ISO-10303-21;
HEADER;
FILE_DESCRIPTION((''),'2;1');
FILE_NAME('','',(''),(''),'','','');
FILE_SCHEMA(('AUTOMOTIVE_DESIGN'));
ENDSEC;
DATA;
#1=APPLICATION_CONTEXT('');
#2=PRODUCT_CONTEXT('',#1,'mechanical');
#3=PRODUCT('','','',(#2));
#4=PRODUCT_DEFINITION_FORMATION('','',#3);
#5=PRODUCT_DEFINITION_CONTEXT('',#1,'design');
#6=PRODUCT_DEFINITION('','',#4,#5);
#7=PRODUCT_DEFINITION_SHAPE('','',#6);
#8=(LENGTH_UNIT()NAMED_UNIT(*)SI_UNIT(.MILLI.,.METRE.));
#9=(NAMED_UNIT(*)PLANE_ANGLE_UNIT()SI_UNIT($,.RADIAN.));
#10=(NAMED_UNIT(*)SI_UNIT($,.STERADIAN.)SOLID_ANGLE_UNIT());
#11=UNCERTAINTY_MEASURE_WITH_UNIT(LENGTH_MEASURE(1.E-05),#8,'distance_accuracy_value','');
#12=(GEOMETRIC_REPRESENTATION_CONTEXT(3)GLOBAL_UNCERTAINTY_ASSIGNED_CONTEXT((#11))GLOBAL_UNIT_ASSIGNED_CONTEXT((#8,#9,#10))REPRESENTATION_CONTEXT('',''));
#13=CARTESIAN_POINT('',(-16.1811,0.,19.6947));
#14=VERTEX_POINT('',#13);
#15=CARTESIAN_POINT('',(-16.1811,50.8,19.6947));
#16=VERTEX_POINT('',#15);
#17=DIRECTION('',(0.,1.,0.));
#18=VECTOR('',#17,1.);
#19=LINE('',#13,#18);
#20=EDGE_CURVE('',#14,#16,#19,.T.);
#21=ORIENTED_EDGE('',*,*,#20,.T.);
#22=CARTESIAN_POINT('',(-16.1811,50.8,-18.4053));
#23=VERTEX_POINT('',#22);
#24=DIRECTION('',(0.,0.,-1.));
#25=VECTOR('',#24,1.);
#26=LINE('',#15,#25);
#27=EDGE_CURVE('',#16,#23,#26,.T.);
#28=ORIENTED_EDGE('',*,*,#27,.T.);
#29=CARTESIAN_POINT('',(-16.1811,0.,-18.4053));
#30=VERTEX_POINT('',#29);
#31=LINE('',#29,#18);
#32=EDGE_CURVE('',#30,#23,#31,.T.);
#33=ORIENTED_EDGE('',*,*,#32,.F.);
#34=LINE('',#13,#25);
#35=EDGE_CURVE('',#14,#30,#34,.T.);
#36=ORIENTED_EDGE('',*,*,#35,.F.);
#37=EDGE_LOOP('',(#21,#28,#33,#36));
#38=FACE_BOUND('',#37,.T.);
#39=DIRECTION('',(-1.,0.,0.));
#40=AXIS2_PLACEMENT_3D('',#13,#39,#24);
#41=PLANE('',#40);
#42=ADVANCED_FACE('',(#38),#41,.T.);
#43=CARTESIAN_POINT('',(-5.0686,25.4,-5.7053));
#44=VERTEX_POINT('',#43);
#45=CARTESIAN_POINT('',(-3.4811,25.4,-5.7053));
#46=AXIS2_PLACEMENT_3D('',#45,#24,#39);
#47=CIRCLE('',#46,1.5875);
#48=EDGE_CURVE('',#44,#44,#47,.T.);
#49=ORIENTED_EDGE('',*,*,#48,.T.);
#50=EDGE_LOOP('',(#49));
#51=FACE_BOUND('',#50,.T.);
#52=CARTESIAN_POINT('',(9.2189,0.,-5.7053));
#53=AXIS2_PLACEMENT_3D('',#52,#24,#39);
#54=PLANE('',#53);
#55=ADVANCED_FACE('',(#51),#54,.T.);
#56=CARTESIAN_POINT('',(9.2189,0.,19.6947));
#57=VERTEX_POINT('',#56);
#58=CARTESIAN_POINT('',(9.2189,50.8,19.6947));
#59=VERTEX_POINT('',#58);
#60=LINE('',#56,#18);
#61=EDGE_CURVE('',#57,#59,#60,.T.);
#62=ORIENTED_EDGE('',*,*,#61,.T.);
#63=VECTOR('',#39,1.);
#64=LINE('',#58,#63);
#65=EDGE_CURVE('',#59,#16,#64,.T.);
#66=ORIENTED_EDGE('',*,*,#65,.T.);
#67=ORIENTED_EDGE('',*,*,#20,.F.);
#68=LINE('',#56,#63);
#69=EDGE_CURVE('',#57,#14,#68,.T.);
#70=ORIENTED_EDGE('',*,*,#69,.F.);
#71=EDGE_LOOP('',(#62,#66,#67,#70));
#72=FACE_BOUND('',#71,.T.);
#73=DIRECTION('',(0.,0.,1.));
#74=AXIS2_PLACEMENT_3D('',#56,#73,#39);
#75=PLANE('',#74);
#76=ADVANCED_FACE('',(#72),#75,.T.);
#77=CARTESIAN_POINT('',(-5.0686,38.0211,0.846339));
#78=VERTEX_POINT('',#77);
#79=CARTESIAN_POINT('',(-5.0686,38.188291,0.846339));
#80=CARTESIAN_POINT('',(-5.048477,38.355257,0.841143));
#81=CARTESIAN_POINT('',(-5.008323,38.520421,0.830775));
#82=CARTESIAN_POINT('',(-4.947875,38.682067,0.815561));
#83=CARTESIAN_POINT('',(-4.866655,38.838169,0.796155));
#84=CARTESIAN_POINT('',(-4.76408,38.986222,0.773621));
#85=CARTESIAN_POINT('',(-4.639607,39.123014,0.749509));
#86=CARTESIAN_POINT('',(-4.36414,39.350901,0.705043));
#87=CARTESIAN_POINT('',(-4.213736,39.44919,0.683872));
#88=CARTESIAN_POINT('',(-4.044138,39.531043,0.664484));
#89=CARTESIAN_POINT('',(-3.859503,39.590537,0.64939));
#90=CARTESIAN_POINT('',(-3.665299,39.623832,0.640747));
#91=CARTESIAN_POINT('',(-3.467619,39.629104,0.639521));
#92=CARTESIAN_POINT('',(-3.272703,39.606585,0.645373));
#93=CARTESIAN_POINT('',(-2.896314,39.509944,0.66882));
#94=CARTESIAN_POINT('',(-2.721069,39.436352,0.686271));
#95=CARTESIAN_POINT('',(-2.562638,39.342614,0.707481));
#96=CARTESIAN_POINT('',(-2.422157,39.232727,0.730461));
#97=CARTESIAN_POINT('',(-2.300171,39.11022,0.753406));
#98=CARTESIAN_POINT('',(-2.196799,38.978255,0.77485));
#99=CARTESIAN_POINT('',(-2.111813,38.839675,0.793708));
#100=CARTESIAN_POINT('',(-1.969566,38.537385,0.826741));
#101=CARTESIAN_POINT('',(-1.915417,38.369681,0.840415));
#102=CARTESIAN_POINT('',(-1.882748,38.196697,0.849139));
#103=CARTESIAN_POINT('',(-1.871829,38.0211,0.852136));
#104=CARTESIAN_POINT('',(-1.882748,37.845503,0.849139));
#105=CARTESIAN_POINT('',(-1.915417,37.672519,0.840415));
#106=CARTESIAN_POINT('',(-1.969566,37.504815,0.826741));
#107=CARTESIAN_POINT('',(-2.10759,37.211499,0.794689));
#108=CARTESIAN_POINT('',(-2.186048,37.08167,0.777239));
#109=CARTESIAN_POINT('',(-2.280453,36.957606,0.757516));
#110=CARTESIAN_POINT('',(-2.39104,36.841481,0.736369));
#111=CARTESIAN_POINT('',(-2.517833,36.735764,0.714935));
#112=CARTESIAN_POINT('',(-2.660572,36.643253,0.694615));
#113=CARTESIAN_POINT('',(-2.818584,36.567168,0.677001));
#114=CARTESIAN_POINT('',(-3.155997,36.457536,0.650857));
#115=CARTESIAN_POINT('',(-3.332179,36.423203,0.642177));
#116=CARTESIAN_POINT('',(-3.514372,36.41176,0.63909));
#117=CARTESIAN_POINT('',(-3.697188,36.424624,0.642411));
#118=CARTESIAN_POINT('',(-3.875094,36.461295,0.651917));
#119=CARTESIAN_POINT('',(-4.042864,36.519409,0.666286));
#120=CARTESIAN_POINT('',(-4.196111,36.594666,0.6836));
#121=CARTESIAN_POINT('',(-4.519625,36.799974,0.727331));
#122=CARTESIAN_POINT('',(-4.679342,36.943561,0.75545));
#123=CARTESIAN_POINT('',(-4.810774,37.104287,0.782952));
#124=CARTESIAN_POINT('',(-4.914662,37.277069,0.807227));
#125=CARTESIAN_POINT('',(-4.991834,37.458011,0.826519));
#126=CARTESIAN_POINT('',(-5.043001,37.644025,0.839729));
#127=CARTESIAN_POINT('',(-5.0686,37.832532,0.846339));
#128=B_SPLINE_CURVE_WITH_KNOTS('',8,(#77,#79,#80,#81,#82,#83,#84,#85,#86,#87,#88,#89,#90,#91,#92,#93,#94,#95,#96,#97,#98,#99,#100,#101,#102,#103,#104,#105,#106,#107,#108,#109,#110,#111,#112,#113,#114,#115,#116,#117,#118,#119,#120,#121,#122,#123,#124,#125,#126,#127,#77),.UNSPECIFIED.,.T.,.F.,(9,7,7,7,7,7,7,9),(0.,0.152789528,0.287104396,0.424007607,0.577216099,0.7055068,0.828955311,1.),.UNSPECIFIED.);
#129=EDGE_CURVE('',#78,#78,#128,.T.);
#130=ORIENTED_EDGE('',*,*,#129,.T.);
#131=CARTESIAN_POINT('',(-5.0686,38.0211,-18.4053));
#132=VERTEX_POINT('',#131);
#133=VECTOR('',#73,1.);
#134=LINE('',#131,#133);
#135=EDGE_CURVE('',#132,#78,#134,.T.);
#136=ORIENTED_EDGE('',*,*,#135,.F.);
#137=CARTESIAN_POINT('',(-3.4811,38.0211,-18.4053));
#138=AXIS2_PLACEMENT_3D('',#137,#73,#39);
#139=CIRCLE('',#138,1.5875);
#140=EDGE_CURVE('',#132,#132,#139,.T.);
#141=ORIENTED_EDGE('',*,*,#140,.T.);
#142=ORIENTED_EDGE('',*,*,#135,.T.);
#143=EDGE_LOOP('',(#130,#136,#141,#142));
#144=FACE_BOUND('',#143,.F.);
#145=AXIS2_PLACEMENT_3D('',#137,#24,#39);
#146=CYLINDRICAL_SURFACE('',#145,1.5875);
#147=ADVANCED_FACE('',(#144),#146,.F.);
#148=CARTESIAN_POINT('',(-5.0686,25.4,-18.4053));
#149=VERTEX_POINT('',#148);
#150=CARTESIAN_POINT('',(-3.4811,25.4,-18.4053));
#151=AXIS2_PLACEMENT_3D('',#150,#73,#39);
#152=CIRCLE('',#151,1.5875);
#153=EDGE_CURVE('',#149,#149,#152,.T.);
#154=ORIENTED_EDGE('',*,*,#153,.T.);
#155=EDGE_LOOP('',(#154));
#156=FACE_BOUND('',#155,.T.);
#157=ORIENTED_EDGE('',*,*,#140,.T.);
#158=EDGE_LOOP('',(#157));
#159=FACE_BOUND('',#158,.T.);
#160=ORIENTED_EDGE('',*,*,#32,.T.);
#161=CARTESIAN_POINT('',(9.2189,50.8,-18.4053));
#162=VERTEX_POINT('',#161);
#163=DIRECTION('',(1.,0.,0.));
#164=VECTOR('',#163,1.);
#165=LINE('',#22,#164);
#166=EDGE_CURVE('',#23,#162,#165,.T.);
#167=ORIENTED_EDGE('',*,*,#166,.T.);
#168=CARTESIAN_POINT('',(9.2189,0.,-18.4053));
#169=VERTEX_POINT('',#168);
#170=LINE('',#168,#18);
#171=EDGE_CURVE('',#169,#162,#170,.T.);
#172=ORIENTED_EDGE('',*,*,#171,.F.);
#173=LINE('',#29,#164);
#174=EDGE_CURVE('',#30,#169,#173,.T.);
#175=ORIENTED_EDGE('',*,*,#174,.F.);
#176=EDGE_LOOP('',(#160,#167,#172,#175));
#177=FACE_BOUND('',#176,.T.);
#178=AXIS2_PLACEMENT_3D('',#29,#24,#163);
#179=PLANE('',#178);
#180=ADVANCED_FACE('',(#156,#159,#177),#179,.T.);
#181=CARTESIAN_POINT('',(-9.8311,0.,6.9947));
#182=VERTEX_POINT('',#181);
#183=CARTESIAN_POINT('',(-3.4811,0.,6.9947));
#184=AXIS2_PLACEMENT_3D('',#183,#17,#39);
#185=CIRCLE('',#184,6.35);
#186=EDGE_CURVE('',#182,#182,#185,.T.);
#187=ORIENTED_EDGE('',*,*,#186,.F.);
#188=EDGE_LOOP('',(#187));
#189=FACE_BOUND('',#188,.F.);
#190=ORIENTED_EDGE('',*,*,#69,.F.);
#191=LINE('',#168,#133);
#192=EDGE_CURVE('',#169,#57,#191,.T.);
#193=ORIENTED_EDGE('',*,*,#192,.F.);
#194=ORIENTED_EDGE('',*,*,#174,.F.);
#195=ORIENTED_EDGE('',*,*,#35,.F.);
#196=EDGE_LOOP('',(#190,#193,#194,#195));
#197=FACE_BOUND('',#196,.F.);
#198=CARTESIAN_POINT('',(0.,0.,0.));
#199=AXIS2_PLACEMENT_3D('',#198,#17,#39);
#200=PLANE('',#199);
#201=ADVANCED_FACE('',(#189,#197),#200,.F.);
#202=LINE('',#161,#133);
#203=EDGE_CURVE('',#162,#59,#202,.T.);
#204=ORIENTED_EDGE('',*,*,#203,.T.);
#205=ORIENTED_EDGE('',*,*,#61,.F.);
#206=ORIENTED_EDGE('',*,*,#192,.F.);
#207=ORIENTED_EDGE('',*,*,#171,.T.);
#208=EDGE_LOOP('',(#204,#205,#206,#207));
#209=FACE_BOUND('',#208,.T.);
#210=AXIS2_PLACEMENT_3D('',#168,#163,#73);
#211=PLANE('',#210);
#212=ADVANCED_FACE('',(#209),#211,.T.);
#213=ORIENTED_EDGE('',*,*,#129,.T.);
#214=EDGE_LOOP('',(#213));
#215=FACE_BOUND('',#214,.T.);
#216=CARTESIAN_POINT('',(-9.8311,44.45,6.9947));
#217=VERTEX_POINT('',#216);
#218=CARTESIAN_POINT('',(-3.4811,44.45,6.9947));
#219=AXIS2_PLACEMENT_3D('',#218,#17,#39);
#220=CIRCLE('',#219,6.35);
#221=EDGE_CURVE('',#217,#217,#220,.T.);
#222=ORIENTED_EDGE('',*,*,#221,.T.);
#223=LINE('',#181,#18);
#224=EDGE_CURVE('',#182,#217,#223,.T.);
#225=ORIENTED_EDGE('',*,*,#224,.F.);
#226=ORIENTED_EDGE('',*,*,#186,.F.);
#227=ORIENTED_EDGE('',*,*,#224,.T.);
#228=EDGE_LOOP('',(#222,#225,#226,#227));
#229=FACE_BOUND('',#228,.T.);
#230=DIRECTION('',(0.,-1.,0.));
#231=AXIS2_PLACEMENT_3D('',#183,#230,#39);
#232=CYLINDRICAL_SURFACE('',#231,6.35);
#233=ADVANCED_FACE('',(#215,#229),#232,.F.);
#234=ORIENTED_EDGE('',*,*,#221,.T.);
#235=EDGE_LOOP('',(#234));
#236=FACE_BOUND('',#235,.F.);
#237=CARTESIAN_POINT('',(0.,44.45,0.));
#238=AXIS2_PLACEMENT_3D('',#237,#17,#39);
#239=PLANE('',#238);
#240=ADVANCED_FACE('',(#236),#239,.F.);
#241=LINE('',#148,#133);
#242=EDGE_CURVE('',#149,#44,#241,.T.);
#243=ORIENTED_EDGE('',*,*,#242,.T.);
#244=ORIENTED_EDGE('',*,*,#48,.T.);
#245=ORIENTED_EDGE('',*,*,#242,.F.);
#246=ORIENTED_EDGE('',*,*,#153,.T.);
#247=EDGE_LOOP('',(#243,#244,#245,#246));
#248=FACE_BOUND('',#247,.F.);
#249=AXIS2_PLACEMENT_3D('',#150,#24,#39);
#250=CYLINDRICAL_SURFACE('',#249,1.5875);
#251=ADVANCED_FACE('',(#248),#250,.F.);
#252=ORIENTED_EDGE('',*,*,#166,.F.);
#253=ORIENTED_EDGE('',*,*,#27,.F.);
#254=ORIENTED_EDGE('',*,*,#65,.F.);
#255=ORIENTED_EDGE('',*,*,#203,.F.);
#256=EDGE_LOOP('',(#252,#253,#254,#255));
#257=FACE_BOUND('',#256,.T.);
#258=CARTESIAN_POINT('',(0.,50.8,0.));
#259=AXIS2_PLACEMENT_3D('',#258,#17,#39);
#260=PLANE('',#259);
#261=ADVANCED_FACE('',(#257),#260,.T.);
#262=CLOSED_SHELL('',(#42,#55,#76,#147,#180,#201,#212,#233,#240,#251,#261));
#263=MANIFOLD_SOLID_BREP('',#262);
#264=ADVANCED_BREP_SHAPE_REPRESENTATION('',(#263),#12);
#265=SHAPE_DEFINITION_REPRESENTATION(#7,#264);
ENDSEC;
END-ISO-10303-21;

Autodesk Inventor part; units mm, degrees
ref_plane "YZ Plane" through (0, 0, 0) normal (1, 0, 0) x (0, 1, 0)
ref_plane "XZ Plane" through (0, 0, 0) normal (0, 1, 0) x (-1, 0, 0)
ref_plane "XY Plane" through (0, 0, 0) normal (0, 0, 1) x (1, 0, 0)
sketch "Sketch1" plane through (0, 0, 0) normal (0, 1, 0) x (-1, 0, 0)
  circle A0 centre (3.4811, 6.9947) radius 6.35
  line L0 (-9.2189, 19.6947) -> (16.1811, 19.6947)
  line L1 (16.1811, 19.6947) -> (16.1811, -18.4053)
  line L2 (16.1811, -18.4053) -> (-9.2189, -18.4053)
  line L3 (-9.2189, -18.4053) -> (-9.2189, 19.6947)
  point P0 (0, 0)
  dimension "d0" = 12.7
  dimension "d1" = 25.4
  dimension "d2" = 38.1
  dimension "d3" = 12.7
  dimension "d4" = 12.7
extrude "Extrusion1" add sketch "Sketch1" along normal blind 50.8 contours A0 | L0 L1 L2 L3
extrude "Extrusion4" cut sketch "Sketch1" along normal blind 44.45 contours A0
sketch "Sketch3" plane through (9.2189, 0, -18.4053) normal (0, 0, -1) x (-1, 0, 0)
  line L0 (25.4, 0) -> (0, 0) projected
  line L1 (12.7, 0) -> (12.7, 50.8)
  line L2 (0, 50.8) -> (25.4, 50.8) projected
  circle A0 centre (12.7, 25.4) radius 1.5875
  circle A1 centre (12.7, 38.1) radius 1.5875
  point P0 (9.2189, 0)
  dimension "d23" = 3.175
  dimension "d24" = 3.175
  dimension "d25" = 25.4
  dimension "d26" = 12.7
extrude "Extrusion5" cut sketch "Sketch3" against normal blind 12.7 contours A0 L1 | L1 A0
sketch "Sketch4" plane through (9.2189, -0.0789, -18.4053) normal (0, 0, -1) x (-1, 0, 0)
  line L0 (25.4, 0) -> (0, 0)
  line L1 (12.7, 0) -> (12.7, 50.8)
  line L2 (0, 50.8) -> (25.4, 50.8)
  circle A0 centre (12.7, 25.4) radius 1.5875
  circle A1 centre (12.7, 38.1) radius 1.5875
  point P0 (9.2189, 0)
  point P1 (12.7, 39.6875)
  point P2 (12.7, 36.5125)
  dimension "d30" = 3.175
  dimension "d31" = 3.175
  dimension "d32" = 25.4
  dimension "d29" = 12.7
extrude "Extrusion6" cut sketch "Sketch4" against normal blind 25.4 contours A1 L1 | L1 A1
properties part number "Cylinder"
